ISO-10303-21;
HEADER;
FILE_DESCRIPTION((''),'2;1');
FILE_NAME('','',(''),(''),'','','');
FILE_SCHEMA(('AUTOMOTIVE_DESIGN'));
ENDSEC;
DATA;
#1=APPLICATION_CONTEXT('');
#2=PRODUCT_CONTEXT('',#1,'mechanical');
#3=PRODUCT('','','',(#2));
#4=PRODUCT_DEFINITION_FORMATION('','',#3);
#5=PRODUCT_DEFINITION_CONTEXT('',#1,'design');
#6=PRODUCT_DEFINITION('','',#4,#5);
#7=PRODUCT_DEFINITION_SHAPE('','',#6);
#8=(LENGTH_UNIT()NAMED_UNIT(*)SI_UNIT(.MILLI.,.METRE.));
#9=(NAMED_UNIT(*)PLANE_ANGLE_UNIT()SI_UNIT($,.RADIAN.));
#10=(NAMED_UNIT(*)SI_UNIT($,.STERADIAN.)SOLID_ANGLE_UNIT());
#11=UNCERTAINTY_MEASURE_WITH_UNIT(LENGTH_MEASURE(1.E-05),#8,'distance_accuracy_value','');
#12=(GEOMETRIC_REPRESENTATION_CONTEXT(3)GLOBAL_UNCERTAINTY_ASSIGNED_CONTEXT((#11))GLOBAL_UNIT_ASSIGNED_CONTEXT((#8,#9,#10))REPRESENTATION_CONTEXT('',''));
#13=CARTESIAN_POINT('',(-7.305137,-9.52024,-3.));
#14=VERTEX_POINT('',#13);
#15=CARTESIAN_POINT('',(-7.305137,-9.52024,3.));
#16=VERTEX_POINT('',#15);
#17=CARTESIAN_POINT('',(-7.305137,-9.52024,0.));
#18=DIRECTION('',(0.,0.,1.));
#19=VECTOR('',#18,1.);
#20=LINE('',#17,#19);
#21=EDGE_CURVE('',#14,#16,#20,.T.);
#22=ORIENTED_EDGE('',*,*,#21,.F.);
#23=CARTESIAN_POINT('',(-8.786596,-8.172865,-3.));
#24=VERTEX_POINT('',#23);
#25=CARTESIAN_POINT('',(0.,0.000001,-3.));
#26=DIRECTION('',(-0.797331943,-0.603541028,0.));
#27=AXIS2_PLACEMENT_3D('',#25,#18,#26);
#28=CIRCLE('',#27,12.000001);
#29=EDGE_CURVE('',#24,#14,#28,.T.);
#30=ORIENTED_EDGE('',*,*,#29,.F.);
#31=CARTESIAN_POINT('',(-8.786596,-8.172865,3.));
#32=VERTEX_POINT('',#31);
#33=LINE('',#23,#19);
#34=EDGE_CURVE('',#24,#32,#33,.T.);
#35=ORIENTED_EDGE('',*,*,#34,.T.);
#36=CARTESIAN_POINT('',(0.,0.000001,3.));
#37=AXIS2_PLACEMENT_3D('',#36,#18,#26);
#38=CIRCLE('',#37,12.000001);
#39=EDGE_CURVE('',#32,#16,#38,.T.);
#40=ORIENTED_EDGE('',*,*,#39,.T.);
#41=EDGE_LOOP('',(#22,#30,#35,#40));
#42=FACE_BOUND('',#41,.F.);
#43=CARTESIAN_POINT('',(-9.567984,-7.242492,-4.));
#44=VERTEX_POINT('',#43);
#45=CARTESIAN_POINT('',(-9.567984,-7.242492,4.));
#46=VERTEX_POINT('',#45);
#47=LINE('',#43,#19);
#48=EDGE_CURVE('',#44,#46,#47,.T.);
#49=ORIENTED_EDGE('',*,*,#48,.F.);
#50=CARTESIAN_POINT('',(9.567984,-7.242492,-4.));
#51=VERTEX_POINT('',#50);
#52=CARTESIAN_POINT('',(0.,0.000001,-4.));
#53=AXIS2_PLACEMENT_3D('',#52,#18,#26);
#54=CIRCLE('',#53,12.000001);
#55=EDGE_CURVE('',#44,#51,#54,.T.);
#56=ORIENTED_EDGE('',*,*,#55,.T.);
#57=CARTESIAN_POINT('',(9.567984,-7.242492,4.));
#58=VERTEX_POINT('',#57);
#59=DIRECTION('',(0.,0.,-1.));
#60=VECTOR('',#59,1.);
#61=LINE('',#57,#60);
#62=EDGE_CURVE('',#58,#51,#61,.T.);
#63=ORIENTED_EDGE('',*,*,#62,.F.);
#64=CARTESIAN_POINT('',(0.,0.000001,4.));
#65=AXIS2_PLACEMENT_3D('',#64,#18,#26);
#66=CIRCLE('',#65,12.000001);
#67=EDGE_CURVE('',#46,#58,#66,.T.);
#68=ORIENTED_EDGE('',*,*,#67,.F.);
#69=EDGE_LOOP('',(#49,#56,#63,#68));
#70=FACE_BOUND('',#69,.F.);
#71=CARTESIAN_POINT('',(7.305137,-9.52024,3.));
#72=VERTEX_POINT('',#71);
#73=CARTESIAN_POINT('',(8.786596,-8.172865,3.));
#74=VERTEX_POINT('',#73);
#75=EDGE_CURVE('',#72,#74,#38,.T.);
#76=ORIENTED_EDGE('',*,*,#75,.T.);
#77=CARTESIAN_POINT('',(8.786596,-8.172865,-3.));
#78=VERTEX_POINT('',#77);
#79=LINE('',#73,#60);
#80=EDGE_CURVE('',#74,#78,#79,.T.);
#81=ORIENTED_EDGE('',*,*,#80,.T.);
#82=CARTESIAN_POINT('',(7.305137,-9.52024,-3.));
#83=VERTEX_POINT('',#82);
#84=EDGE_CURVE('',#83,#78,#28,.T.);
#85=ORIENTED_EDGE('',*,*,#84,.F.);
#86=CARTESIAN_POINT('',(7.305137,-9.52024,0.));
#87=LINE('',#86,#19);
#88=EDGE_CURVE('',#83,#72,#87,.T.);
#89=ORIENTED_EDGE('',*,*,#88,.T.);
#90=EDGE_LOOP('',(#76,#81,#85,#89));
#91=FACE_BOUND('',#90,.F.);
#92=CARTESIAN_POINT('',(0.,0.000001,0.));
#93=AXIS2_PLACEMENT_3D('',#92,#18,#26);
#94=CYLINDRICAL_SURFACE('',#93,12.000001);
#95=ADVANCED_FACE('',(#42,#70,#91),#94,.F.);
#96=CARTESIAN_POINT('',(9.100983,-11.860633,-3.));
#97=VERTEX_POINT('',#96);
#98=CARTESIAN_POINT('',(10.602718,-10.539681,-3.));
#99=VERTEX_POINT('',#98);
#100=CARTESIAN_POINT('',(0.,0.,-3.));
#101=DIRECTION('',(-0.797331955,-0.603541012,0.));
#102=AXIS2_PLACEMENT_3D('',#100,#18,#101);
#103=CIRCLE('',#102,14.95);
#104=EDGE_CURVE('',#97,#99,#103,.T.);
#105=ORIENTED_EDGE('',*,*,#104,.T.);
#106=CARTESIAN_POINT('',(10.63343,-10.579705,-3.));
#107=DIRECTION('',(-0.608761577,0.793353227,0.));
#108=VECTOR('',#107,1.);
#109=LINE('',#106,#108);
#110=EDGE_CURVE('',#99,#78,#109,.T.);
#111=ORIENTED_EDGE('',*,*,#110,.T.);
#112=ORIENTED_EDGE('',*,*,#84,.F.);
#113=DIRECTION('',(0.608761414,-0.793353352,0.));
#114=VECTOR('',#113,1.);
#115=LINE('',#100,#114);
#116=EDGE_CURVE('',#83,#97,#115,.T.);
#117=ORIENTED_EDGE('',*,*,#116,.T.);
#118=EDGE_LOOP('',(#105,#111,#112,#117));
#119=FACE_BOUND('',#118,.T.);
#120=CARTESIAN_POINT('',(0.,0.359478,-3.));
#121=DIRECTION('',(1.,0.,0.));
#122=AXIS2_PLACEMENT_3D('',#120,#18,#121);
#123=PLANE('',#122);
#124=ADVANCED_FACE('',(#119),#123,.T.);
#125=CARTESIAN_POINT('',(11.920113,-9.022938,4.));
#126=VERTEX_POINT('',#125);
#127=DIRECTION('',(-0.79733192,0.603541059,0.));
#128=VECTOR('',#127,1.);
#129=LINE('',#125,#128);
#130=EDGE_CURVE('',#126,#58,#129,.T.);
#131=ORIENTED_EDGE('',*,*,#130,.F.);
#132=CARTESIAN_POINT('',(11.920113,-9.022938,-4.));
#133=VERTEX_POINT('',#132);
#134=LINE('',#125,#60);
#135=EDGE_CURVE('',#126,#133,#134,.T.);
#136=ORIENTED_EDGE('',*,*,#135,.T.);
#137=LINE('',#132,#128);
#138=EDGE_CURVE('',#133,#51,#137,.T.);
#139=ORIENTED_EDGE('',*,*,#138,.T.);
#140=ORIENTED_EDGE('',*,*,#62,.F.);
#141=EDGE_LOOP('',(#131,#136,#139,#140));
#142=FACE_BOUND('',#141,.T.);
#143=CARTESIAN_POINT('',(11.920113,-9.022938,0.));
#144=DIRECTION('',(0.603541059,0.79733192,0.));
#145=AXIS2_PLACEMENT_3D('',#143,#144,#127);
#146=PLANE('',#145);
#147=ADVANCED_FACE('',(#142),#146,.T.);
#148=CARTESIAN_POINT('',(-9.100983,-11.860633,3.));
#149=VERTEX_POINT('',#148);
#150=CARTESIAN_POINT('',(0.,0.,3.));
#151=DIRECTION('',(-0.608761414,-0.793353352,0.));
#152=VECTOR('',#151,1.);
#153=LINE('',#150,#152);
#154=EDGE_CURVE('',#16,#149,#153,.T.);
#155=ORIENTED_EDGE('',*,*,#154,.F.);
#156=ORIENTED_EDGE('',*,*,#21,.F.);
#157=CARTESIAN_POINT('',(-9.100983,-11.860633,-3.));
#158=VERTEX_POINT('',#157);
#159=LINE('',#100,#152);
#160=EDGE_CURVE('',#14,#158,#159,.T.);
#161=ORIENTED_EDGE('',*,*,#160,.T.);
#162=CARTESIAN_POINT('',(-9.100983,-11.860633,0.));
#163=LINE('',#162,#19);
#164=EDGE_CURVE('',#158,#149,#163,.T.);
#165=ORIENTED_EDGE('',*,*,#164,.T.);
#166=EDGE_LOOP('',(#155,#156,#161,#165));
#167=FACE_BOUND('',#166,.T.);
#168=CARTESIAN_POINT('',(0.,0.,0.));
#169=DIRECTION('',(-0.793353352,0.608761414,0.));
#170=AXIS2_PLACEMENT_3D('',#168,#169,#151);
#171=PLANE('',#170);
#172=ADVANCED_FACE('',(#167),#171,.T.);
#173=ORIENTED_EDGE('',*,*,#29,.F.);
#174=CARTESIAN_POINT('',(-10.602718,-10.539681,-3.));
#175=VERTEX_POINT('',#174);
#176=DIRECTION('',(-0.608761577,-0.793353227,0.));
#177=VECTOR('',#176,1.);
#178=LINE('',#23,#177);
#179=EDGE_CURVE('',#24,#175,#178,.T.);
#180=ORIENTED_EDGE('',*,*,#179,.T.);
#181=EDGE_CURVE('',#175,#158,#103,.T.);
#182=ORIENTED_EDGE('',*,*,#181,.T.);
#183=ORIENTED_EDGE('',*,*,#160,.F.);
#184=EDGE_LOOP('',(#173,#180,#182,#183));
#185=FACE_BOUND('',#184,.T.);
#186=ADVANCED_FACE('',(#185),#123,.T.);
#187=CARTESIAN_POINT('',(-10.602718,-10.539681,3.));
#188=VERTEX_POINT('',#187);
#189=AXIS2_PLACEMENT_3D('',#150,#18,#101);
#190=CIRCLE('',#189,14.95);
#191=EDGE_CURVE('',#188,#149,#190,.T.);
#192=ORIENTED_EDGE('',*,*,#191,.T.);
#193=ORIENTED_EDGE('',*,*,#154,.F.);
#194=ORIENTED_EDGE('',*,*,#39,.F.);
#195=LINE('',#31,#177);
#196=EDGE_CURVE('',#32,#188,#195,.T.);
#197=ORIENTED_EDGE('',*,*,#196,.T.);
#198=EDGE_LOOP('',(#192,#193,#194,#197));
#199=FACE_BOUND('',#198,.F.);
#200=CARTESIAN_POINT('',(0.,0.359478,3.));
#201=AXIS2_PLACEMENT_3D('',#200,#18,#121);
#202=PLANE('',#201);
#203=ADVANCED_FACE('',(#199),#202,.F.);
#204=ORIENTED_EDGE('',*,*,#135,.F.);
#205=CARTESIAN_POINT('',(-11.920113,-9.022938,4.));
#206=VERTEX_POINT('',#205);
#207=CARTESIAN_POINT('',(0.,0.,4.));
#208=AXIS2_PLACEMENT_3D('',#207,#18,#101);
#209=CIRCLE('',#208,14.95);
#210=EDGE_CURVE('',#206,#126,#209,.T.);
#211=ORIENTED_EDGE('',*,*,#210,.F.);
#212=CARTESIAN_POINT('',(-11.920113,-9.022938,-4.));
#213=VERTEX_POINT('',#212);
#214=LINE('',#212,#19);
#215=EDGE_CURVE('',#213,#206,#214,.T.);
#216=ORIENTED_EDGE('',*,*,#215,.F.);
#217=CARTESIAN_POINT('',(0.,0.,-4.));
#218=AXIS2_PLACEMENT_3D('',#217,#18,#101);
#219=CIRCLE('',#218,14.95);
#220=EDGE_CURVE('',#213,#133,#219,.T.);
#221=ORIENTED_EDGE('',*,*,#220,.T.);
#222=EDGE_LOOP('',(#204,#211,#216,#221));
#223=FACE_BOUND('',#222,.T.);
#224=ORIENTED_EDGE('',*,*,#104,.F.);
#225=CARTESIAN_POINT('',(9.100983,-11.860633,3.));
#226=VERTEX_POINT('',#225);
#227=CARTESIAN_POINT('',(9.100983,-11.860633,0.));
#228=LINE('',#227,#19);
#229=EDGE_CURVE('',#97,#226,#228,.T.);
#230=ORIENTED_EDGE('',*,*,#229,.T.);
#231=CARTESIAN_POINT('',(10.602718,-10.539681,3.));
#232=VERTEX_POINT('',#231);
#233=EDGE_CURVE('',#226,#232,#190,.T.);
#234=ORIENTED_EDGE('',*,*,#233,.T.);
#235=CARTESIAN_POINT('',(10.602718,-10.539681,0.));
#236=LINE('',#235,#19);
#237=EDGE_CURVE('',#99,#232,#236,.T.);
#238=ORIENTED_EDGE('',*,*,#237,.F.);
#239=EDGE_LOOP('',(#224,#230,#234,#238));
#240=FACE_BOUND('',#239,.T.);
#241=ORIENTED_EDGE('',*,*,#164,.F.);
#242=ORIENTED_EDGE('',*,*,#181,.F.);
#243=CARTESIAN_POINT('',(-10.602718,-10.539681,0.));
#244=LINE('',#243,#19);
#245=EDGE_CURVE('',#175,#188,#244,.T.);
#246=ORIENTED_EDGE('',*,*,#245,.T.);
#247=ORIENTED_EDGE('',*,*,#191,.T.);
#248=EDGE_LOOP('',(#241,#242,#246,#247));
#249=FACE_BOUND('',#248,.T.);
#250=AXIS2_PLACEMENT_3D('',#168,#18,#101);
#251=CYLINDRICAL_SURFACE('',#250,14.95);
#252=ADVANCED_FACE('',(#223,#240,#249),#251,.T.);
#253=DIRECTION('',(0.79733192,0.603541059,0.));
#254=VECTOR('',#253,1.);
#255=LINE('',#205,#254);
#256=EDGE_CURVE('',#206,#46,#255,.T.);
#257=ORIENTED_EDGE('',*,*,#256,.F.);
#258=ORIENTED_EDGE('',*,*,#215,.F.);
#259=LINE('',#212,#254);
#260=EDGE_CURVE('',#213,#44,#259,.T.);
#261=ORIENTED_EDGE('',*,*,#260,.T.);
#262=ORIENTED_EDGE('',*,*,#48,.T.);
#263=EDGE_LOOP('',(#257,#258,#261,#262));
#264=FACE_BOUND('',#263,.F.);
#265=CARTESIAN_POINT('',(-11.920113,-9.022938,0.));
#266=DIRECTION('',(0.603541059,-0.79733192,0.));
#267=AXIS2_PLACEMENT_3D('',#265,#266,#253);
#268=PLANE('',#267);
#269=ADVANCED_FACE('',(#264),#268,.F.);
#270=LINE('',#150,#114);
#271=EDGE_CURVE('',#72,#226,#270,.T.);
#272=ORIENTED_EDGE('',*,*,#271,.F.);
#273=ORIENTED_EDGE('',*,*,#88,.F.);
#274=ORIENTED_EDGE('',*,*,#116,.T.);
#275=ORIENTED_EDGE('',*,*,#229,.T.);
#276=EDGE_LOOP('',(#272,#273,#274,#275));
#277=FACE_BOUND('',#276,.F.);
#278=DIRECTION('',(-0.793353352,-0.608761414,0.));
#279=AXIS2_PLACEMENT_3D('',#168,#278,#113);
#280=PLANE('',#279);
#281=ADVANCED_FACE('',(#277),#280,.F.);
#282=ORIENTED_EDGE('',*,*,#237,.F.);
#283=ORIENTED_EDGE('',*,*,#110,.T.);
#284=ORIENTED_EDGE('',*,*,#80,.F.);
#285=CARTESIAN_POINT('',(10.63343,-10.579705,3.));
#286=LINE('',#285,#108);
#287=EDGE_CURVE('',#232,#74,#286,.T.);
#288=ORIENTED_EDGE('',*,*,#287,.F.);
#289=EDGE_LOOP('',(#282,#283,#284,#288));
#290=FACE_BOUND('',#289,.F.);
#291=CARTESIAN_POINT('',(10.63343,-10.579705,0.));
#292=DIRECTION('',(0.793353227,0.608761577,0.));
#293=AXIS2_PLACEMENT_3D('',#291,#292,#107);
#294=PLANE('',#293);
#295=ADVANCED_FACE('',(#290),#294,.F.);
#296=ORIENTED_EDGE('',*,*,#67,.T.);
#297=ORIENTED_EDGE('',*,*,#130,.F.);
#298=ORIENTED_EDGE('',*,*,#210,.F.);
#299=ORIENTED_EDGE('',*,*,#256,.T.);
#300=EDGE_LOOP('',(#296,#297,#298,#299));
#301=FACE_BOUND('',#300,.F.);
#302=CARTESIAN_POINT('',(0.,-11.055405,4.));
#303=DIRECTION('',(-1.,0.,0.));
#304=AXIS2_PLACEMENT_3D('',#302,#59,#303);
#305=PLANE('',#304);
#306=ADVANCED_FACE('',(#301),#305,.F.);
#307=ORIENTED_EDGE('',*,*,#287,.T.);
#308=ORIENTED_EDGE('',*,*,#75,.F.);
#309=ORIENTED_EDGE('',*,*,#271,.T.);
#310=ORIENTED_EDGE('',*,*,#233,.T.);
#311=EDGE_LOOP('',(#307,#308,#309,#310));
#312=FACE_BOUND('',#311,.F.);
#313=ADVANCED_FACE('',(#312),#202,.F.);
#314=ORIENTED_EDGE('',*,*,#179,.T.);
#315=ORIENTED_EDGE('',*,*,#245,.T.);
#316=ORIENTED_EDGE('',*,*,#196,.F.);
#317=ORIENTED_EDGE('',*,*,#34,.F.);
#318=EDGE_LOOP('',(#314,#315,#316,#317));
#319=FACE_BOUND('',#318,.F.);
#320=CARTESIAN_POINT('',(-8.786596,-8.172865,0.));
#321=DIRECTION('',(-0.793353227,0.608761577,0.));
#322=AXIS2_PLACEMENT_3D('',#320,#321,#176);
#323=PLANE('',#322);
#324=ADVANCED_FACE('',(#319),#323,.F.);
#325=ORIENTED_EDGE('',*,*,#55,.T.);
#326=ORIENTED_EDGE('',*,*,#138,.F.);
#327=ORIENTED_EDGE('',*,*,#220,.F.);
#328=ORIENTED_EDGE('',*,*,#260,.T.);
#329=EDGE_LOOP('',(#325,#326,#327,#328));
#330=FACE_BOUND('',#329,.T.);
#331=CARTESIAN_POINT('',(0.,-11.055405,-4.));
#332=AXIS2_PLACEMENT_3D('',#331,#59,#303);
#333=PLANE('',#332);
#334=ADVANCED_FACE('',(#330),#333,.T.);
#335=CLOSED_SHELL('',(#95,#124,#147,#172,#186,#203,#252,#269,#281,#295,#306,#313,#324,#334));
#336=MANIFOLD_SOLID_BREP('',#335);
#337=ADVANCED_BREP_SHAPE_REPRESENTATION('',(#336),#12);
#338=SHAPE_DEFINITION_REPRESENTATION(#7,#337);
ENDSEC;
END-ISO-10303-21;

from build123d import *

# Parameters (mm, degrees)
PAD001_DEPTH = 3
SKETCH004_R  = 10.5
POCKET_DEPTH = 5
PAD_DEPTH    = 4


with BuildPart() as body001:
    # Sketch001 → Pad001 (new body, symmetric)
    with BuildSketch(Plane.XY):
        with BuildLine():
            ThreePointArc((8.786596, -8.172865), (11.974307, -0.784838), (9.778199, 6.956064))
            Line((11.923388, 9.101253), (9.778199, 6.956064))
            Line((10.606602, 10.606602), (11.923388, 9.101253))
            Line((8.485281, 8.485281), (10.606602, 10.606602))
            ThreePointArc((8.485281, 8.485281), (0, 12), (-8.485281, 8.485281))
            Line((-8.485281, 8.485281), (-10.606602, 10.606602))
            Line((-10.606602, 10.606602), (-11.923388, 9.101253))
            Line((-11.923388, 9.101253), (-9.778199, 6.956064))
            ThreePointArc((-9.778199, 6.956064), (-11.974307, -0.784838), (-8.786596, -8.172865))
            Line((-8.786596, -8.172865), (-10.63343, -10.579705))
            Line((-10.63343, -10.579705), (-9.131421, -11.9003))
            Line((0, 0), (-9.131421, -11.9003))
            Line((0, 0), (9.131421, -11.9003))
            Line((9.131421, -11.9003), (10.63343, -10.579705))
            Line((10.63343, -10.579705), (8.786596, -8.172865))
        make_face()
    extrude(amount=PAD001_DEPTH, both=True)

    # Sketch004 → Pocket (cut)
    with BuildSketch(Plane.XY.offset(2.5)):
        Circle(SKETCH004_R)
    extrude(amount=-POCKET_DEPTH, mode=Mode.SUBTRACT)


with BuildPart() as body:
    # Sketch → Pad (new body, symmetric)
    with BuildSketch(Plane.XY):
        with BuildLine():
            ThreePointArc((-9.567984, -7.242492), (0, -12), (9.567984, -7.242492))
            Line((11.920113, -9.022938), (9.567984, -7.242492))
            ThreePointArc((-11.920113, -9.022938), (0, -14.95), (11.920113, -9.022938))
            Line((-11.920113, -9.022938), (-9.567984, -7.242492))
        make_face()
    extrude(amount=PAD_DEPTH, both=True)

    # Boolean: cut Body001
    add(body001.part, mode=Mode.SUBTRACT)


solid = body.part
